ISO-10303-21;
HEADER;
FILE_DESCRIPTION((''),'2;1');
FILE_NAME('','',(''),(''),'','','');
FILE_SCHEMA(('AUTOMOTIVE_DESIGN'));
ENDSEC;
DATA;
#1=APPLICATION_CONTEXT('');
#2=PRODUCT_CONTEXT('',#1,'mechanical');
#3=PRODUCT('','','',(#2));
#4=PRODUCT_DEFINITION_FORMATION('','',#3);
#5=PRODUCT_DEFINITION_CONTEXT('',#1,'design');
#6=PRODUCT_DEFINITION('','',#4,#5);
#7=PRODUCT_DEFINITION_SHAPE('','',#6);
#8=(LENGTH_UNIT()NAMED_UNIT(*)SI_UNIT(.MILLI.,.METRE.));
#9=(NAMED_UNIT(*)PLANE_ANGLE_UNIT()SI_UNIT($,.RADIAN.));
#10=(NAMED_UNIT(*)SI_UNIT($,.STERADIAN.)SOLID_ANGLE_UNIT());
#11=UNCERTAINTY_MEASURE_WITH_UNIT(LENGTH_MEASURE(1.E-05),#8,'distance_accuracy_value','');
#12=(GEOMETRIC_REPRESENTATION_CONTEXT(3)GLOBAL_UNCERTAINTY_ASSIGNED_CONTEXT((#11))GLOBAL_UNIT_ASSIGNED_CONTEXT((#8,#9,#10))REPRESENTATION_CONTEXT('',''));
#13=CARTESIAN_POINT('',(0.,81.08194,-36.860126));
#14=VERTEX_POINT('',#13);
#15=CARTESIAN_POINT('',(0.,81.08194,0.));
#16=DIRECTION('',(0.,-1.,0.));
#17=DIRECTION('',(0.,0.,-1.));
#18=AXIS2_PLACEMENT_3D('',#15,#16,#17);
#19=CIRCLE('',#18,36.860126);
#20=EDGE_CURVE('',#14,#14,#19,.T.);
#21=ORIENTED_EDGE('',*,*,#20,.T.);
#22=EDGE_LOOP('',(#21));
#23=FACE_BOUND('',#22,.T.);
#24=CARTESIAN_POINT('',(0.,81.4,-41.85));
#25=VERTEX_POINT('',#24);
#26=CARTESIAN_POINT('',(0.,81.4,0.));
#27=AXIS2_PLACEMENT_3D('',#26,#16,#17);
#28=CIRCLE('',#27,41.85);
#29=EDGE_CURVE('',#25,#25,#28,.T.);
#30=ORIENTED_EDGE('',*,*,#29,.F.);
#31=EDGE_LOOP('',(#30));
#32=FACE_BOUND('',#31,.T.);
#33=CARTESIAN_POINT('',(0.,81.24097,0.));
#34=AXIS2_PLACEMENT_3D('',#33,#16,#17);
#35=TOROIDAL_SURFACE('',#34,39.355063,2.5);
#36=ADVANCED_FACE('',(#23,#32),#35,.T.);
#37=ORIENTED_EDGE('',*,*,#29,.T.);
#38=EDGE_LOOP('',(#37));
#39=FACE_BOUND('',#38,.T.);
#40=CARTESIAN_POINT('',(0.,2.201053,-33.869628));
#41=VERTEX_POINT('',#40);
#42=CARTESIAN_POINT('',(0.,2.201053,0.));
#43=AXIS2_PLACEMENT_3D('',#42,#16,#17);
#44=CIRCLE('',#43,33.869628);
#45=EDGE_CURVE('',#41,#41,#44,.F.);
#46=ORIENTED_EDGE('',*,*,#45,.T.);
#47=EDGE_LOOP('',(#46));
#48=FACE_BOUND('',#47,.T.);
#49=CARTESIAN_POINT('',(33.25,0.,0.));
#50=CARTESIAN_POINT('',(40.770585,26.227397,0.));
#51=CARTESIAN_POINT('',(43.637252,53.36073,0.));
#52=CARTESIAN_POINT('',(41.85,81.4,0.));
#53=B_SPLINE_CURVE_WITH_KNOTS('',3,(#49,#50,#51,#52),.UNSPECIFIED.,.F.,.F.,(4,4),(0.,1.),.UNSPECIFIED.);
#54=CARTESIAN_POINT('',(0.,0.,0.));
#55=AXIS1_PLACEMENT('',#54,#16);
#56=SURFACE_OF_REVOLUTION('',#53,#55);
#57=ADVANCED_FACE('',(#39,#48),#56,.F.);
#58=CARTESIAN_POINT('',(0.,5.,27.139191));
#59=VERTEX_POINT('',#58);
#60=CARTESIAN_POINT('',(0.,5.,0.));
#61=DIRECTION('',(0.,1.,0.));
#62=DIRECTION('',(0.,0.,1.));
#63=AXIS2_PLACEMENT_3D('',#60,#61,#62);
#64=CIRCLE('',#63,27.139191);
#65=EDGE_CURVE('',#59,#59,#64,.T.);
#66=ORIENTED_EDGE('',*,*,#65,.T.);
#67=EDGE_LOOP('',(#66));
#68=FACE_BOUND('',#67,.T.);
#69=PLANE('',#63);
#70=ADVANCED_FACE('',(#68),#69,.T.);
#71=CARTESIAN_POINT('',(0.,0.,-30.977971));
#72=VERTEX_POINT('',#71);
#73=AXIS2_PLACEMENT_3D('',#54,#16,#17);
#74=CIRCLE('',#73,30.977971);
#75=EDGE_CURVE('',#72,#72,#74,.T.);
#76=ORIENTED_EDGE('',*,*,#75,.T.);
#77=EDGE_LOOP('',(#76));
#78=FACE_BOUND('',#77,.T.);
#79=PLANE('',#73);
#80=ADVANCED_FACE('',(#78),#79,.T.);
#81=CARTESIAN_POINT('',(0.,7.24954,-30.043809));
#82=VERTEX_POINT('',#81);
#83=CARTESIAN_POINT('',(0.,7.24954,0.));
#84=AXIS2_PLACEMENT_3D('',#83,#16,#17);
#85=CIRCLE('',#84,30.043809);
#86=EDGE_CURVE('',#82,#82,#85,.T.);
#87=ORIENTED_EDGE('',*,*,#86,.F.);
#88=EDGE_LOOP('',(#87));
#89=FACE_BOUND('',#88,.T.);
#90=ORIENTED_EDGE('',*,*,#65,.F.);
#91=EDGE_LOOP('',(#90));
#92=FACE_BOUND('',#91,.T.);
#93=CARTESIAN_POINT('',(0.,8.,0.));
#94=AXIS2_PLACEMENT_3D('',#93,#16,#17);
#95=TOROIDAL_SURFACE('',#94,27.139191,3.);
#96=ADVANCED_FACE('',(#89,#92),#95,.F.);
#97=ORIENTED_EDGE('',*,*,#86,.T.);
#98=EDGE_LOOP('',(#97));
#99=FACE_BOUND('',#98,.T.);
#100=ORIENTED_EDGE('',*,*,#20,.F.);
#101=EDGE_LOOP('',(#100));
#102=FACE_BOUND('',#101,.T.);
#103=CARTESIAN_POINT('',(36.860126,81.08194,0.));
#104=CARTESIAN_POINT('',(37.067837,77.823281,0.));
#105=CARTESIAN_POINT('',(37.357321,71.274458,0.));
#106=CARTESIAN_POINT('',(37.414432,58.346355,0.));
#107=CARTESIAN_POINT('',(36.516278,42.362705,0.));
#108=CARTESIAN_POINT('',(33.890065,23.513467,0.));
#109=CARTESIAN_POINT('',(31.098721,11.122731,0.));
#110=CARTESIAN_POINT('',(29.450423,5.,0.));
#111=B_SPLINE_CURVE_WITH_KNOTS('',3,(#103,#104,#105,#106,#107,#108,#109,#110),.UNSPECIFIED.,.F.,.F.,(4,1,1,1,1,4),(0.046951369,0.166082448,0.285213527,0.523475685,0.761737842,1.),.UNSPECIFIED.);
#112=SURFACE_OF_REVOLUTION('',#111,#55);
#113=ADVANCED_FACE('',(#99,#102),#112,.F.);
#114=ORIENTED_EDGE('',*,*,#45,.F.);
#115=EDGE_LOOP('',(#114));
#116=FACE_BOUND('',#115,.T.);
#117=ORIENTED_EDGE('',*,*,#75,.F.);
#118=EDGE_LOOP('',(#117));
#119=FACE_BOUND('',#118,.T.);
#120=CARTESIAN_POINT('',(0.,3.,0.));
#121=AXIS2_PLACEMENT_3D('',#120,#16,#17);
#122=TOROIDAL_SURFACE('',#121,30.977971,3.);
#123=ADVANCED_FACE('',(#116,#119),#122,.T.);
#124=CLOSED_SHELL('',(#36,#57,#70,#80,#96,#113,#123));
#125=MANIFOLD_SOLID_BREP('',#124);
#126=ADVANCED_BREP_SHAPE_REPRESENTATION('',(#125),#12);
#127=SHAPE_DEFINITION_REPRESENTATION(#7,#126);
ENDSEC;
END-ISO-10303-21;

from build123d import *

# Parameters (mm, degrees)
FILLET1_R = 3


with BuildPart() as part:
    # Sketch1 → Revolve1 (revolve)
    with BuildSketch(Plane.XY):
        with BuildLine():
            Line((0, 0), (33.25, 0))
            add(Edge.make_bspline(
                [(33.25, 0), (40.770585082, 26.227397042), (43.637251749, 53.360730375), (41.85, 81.4)],
                knots=[0, 0, 0, 0, 1, 1, 1, 1], degree=3))
            ThreePointArc((41.85, 81.4), (39.1960334, 83.735906952), (36.860126448, 81.081940352))
            add(Edge.make_bspline(
                [(29.450423152, 5), (31.098721331, 11.122731195), (33.890065025, 23.513467046), (36.51627774, 42.362705396), (37.414431967, 58.346354897), (37.357321389, 71.274458443), (37.067836742, 77.823280829), (36.860126448, 81.081940352)],
                knots=[0.046951369, 0.046951369, 0.046951369, 0.046951369, 0.285213527, 0.523475685, 0.761737842, 0.880868921, 1, 1, 1, 1], degree=3))
            Line((29.450423152, 5), (0, 5))
            Line((0, 5), (0, 0))
        make_face()
    revolve(axis=Axis((0, 0, 0), (0, 1, 0)))

    # Fillet1
    fillet1_edges = [part.edges().sort_by_distance(p)[0] for p in [
        (-33.25, 0, 0),
        (-29.450423152, 5, 0),
    ]]
    fillet(fillet1_edges, radius=FILLET1_R)


solid = part.part
